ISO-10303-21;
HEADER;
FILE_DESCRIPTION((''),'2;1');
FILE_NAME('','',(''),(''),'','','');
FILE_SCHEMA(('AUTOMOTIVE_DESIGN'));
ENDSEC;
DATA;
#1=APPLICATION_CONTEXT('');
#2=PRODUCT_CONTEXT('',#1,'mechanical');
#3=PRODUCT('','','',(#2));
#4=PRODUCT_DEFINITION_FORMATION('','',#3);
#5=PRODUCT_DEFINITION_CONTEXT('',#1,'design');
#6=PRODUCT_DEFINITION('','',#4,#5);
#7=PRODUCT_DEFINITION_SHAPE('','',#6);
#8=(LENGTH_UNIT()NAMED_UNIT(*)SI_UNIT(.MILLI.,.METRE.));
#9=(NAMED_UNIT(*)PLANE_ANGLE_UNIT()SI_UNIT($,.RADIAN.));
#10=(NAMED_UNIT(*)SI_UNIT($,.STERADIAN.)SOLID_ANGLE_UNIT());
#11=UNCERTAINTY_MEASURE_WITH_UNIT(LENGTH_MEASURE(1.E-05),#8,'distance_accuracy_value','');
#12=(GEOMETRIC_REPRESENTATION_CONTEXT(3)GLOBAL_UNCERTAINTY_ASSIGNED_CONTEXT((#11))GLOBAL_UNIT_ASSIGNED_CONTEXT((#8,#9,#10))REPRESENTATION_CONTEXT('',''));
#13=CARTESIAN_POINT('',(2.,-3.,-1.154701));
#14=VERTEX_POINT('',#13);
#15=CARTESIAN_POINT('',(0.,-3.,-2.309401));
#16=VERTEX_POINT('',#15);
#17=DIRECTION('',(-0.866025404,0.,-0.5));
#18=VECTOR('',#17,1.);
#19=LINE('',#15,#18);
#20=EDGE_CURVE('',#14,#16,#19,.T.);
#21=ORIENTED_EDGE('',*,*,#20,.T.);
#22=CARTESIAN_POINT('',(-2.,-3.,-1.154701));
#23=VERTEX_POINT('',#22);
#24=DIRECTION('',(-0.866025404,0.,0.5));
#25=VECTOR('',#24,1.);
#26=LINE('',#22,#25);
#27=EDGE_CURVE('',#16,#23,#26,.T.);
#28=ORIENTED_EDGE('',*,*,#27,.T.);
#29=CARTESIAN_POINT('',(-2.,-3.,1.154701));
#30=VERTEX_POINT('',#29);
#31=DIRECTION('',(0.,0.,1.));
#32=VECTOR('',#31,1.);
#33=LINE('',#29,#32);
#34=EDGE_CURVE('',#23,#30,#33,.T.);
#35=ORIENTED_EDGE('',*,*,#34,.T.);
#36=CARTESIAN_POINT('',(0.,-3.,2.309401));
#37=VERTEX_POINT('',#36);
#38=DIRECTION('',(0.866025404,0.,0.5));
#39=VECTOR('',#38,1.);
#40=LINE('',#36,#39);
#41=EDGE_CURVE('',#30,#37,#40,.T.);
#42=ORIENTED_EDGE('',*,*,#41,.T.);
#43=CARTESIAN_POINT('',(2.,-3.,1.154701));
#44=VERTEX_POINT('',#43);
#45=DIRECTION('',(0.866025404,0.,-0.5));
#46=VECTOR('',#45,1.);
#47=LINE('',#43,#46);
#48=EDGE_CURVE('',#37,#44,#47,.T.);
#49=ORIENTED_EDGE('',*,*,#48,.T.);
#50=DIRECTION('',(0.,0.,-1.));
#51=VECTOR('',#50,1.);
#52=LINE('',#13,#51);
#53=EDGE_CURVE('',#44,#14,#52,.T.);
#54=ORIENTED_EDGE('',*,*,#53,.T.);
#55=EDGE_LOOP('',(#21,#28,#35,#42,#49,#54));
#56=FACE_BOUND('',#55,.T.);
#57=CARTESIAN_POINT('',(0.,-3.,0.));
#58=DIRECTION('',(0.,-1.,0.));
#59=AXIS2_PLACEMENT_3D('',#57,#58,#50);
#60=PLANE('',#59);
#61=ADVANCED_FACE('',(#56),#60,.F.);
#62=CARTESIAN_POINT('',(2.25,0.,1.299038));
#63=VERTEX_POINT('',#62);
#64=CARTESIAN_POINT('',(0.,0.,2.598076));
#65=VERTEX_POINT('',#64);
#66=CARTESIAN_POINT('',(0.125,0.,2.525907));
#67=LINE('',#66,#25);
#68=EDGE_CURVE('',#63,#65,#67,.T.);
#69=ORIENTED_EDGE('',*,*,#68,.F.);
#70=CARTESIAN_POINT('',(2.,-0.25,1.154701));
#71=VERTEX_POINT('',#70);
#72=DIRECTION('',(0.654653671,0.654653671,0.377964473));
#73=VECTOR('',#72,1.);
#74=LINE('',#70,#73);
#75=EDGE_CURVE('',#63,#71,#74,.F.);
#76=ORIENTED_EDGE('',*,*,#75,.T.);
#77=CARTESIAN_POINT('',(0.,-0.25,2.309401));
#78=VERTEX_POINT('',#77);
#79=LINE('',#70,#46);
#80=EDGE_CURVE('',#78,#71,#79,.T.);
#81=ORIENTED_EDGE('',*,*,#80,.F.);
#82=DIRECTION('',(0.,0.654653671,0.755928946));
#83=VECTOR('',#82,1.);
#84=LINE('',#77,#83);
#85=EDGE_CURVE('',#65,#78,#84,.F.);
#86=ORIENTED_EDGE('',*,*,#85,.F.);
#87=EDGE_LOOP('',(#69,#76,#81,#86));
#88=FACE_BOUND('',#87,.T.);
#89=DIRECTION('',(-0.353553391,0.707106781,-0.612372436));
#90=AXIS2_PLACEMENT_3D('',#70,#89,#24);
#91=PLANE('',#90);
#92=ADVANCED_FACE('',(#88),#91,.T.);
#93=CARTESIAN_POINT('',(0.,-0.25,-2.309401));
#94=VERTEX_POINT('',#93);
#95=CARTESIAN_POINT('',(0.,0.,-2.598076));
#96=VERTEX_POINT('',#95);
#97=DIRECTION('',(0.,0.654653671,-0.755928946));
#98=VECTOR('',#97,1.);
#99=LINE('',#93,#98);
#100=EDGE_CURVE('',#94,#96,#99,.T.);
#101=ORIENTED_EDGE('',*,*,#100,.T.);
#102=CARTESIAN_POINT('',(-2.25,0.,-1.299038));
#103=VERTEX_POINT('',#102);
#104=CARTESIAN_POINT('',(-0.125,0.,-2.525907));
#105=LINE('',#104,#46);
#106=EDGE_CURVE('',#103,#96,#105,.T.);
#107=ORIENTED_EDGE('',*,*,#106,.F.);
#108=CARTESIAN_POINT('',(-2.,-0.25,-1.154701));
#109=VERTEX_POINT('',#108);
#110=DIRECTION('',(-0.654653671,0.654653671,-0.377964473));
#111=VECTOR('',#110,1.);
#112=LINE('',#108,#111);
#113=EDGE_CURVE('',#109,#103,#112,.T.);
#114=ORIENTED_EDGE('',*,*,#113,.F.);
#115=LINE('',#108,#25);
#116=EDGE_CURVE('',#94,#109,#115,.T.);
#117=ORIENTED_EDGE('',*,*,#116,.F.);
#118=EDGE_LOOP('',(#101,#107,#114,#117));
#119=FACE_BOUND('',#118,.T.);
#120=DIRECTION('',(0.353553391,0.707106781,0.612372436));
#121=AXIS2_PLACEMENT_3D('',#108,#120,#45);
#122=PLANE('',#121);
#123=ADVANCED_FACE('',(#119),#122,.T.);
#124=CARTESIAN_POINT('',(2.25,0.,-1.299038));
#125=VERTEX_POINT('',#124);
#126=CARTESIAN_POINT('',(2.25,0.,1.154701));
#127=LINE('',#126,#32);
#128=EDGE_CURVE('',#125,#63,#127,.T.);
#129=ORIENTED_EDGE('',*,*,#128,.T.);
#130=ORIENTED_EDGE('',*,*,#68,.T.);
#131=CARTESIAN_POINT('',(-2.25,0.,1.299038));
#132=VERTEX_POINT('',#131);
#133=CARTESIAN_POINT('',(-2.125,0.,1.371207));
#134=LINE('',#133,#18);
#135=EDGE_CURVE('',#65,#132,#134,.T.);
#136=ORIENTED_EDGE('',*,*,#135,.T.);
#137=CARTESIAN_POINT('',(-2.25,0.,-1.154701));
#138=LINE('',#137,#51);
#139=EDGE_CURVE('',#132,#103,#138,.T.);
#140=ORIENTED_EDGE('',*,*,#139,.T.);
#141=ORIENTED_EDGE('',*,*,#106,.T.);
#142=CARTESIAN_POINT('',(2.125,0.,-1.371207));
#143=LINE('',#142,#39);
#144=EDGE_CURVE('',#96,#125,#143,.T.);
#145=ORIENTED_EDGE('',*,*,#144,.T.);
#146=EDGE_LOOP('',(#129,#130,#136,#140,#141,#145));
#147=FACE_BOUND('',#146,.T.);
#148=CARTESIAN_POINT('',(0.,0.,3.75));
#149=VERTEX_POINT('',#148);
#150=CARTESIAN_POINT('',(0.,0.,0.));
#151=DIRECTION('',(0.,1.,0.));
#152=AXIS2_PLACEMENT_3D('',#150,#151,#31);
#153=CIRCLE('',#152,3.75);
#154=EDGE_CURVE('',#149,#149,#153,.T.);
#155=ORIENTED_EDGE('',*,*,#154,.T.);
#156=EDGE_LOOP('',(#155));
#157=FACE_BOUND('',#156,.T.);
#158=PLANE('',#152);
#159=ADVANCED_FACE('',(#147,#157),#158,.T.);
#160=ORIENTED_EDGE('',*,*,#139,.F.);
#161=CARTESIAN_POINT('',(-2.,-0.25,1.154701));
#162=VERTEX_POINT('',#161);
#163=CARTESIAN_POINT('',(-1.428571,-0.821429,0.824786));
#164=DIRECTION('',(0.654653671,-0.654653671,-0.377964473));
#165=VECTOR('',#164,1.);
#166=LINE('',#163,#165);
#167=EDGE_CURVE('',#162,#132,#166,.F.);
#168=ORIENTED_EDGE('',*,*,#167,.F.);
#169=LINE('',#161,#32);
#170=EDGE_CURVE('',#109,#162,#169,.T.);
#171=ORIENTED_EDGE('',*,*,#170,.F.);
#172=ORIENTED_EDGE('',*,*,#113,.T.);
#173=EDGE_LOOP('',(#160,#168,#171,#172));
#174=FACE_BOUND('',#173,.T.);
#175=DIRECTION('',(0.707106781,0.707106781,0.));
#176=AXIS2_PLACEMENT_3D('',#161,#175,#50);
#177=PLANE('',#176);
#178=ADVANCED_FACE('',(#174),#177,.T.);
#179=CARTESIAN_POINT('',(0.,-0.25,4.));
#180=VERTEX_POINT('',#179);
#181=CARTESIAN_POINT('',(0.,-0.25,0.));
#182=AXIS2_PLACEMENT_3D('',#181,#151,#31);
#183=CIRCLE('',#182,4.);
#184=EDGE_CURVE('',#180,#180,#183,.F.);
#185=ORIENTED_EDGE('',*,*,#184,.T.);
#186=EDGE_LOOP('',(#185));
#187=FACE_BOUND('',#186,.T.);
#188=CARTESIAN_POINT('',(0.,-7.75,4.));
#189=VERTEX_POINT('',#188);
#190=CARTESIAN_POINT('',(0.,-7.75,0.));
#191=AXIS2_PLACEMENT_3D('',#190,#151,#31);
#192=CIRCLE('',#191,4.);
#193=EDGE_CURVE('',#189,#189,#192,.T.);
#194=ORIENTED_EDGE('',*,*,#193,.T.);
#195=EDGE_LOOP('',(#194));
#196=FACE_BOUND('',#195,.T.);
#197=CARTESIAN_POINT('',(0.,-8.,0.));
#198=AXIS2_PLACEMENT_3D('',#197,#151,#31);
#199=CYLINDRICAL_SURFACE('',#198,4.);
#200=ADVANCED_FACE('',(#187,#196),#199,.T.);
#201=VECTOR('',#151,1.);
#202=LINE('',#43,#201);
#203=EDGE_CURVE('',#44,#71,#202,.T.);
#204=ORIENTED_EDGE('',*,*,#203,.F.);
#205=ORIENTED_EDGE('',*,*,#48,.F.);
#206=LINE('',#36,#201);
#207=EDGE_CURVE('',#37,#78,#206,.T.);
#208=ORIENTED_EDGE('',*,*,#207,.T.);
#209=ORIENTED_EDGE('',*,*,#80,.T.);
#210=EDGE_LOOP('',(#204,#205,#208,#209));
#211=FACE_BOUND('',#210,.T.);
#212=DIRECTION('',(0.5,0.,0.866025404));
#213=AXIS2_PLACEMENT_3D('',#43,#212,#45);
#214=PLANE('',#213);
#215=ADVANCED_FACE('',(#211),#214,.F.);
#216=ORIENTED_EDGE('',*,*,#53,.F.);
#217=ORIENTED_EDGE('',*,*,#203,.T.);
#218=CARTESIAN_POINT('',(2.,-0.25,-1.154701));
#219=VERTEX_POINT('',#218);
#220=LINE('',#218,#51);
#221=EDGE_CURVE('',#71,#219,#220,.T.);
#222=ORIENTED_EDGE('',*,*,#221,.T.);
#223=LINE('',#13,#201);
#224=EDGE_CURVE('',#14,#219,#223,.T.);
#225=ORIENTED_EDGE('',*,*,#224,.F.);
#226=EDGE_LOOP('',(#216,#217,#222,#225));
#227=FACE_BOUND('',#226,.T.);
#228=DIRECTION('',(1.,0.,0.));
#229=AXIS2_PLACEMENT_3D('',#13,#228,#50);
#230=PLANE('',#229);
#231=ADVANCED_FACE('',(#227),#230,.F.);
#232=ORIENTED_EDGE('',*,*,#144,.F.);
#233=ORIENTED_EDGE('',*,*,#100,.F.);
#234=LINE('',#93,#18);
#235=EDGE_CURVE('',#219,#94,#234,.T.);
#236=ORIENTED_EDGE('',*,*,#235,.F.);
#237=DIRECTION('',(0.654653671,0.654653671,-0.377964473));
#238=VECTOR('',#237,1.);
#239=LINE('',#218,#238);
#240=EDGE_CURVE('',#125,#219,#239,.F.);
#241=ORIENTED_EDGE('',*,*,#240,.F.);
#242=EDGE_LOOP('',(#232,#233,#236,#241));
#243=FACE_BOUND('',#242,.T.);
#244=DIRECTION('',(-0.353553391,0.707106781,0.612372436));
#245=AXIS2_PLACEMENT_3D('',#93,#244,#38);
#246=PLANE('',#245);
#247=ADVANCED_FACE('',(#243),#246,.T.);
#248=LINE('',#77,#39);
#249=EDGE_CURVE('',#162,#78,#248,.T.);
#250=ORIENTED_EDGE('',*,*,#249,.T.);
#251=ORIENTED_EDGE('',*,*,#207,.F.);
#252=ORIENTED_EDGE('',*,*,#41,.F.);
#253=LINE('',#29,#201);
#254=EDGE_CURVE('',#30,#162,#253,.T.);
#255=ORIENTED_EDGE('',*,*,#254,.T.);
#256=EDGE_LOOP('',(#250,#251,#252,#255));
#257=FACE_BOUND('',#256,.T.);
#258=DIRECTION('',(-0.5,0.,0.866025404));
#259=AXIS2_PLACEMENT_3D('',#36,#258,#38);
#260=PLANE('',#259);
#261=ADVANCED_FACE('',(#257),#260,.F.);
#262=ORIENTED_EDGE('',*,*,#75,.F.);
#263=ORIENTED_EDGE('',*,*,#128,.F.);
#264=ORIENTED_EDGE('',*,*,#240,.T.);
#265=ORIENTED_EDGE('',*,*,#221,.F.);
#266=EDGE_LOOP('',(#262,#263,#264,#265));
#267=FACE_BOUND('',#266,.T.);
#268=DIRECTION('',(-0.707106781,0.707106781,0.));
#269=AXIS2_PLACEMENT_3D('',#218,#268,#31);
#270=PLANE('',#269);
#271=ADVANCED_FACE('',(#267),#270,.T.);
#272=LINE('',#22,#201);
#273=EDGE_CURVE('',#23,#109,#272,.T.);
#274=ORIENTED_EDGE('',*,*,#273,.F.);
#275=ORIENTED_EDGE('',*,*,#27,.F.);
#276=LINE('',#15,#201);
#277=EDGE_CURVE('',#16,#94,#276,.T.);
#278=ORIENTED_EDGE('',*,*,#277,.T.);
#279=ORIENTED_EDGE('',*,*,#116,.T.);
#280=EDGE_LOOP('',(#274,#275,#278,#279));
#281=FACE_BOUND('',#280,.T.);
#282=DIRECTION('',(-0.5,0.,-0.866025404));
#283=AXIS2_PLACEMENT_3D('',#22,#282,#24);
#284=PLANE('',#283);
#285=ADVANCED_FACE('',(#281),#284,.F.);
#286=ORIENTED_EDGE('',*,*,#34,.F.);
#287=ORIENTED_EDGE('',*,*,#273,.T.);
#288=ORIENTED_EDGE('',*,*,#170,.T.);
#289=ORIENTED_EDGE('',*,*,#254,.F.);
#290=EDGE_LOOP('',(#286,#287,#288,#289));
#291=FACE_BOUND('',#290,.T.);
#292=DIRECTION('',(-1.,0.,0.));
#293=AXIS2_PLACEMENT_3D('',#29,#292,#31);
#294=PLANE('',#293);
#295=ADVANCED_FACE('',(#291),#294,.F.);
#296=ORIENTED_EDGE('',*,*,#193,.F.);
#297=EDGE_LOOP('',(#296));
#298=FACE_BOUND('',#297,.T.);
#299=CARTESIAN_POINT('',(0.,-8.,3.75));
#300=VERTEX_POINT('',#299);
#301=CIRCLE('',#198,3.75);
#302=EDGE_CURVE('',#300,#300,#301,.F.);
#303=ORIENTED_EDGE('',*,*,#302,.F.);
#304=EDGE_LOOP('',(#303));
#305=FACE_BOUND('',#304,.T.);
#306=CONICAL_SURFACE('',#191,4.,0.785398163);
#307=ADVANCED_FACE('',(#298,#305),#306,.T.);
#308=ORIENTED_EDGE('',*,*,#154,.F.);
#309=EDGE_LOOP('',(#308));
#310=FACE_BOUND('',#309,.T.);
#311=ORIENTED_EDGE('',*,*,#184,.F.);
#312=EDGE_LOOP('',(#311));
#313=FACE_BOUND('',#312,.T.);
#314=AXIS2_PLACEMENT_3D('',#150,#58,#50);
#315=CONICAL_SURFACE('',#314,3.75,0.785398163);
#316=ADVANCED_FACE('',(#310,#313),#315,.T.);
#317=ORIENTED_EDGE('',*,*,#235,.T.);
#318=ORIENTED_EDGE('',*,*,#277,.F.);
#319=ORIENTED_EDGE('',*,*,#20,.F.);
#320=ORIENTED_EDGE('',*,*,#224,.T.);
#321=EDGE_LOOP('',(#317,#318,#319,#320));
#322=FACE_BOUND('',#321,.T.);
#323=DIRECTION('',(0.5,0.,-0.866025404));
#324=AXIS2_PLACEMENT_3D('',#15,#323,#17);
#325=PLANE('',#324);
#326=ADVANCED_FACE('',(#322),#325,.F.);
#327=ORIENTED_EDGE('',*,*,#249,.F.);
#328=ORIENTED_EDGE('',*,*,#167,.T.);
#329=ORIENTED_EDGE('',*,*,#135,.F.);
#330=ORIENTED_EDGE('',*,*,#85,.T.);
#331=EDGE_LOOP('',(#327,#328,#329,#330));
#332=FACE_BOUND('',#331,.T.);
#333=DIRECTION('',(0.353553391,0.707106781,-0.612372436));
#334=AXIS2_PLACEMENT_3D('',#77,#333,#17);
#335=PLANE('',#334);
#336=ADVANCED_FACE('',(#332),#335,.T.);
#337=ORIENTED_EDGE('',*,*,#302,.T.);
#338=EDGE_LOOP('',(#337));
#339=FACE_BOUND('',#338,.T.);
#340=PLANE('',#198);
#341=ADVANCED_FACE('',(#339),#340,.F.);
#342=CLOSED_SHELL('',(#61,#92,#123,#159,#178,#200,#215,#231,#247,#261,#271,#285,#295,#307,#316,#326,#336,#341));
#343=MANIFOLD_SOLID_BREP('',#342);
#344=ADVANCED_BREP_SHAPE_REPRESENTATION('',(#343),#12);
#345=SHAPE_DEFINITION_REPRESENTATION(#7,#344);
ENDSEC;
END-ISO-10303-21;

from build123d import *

# Parameters (mm, degrees)
SKETCH1_R           = 4
BOSS_EXTRUDE1_DEPTH = 8
CHAMFER1_SIZE       = 0.25
CUT_EXTRUDE1_DEPTH  = 3
CHAMFER2_SIZE       = 0.25


with BuildPart() as part:
    # Sketch1 → Boss-Extrude1 (new body)
    with BuildSketch(Plane(origin=(0, 0, 0), x_dir=(1, 0, 0), z_dir=(0, 1, 0))):
        with Locations(Location((0, 0, 0), (0, 0, 270))):
            Circle(SKETCH1_R)
    extrude(amount=-BOSS_EXTRUDE1_DEPTH)

    # Chamfer1
    chamfer1_edges = [part.edges().sort_by_distance(p)[0] for p in [
        (0, 0, -4),
        (0, -8, -4),
    ]]
    chamfer(chamfer1_edges, length=CHAMFER1_SIZE)

    # Sketch2 → Cut-Extrude1 (cut)
    with BuildSketch(Plane(origin=(0, 0, 0), x_dir=(1, 0, 0), z_dir=(0, 1, 0))):
        Polygon((0, 2.309401077), (2, 1.154700538), (2, -1.154700538), (0, -2.309401077), (-2, -1.154700538), (-2, 1.154700538), align=None)
    extrude(amount=-CUT_EXTRUDE1_DEPTH, mode=Mode.SUBTRACT)

    # Chamfer2
    chamfer2_edges = [part.edges().sort_by_distance(p)[0] for p in [
        (-1, 0, -1.732050808),
        (-2, 0, 0),
        (-1, 0, 1.732050808),
        (1, 0, 1.732050808),
        (2, 0, 0),
        (1, 0, -1.732050808),
    ]]
    chamfer(chamfer2_edges, length=CHAMFER2_SIZE)


solid = part.part
